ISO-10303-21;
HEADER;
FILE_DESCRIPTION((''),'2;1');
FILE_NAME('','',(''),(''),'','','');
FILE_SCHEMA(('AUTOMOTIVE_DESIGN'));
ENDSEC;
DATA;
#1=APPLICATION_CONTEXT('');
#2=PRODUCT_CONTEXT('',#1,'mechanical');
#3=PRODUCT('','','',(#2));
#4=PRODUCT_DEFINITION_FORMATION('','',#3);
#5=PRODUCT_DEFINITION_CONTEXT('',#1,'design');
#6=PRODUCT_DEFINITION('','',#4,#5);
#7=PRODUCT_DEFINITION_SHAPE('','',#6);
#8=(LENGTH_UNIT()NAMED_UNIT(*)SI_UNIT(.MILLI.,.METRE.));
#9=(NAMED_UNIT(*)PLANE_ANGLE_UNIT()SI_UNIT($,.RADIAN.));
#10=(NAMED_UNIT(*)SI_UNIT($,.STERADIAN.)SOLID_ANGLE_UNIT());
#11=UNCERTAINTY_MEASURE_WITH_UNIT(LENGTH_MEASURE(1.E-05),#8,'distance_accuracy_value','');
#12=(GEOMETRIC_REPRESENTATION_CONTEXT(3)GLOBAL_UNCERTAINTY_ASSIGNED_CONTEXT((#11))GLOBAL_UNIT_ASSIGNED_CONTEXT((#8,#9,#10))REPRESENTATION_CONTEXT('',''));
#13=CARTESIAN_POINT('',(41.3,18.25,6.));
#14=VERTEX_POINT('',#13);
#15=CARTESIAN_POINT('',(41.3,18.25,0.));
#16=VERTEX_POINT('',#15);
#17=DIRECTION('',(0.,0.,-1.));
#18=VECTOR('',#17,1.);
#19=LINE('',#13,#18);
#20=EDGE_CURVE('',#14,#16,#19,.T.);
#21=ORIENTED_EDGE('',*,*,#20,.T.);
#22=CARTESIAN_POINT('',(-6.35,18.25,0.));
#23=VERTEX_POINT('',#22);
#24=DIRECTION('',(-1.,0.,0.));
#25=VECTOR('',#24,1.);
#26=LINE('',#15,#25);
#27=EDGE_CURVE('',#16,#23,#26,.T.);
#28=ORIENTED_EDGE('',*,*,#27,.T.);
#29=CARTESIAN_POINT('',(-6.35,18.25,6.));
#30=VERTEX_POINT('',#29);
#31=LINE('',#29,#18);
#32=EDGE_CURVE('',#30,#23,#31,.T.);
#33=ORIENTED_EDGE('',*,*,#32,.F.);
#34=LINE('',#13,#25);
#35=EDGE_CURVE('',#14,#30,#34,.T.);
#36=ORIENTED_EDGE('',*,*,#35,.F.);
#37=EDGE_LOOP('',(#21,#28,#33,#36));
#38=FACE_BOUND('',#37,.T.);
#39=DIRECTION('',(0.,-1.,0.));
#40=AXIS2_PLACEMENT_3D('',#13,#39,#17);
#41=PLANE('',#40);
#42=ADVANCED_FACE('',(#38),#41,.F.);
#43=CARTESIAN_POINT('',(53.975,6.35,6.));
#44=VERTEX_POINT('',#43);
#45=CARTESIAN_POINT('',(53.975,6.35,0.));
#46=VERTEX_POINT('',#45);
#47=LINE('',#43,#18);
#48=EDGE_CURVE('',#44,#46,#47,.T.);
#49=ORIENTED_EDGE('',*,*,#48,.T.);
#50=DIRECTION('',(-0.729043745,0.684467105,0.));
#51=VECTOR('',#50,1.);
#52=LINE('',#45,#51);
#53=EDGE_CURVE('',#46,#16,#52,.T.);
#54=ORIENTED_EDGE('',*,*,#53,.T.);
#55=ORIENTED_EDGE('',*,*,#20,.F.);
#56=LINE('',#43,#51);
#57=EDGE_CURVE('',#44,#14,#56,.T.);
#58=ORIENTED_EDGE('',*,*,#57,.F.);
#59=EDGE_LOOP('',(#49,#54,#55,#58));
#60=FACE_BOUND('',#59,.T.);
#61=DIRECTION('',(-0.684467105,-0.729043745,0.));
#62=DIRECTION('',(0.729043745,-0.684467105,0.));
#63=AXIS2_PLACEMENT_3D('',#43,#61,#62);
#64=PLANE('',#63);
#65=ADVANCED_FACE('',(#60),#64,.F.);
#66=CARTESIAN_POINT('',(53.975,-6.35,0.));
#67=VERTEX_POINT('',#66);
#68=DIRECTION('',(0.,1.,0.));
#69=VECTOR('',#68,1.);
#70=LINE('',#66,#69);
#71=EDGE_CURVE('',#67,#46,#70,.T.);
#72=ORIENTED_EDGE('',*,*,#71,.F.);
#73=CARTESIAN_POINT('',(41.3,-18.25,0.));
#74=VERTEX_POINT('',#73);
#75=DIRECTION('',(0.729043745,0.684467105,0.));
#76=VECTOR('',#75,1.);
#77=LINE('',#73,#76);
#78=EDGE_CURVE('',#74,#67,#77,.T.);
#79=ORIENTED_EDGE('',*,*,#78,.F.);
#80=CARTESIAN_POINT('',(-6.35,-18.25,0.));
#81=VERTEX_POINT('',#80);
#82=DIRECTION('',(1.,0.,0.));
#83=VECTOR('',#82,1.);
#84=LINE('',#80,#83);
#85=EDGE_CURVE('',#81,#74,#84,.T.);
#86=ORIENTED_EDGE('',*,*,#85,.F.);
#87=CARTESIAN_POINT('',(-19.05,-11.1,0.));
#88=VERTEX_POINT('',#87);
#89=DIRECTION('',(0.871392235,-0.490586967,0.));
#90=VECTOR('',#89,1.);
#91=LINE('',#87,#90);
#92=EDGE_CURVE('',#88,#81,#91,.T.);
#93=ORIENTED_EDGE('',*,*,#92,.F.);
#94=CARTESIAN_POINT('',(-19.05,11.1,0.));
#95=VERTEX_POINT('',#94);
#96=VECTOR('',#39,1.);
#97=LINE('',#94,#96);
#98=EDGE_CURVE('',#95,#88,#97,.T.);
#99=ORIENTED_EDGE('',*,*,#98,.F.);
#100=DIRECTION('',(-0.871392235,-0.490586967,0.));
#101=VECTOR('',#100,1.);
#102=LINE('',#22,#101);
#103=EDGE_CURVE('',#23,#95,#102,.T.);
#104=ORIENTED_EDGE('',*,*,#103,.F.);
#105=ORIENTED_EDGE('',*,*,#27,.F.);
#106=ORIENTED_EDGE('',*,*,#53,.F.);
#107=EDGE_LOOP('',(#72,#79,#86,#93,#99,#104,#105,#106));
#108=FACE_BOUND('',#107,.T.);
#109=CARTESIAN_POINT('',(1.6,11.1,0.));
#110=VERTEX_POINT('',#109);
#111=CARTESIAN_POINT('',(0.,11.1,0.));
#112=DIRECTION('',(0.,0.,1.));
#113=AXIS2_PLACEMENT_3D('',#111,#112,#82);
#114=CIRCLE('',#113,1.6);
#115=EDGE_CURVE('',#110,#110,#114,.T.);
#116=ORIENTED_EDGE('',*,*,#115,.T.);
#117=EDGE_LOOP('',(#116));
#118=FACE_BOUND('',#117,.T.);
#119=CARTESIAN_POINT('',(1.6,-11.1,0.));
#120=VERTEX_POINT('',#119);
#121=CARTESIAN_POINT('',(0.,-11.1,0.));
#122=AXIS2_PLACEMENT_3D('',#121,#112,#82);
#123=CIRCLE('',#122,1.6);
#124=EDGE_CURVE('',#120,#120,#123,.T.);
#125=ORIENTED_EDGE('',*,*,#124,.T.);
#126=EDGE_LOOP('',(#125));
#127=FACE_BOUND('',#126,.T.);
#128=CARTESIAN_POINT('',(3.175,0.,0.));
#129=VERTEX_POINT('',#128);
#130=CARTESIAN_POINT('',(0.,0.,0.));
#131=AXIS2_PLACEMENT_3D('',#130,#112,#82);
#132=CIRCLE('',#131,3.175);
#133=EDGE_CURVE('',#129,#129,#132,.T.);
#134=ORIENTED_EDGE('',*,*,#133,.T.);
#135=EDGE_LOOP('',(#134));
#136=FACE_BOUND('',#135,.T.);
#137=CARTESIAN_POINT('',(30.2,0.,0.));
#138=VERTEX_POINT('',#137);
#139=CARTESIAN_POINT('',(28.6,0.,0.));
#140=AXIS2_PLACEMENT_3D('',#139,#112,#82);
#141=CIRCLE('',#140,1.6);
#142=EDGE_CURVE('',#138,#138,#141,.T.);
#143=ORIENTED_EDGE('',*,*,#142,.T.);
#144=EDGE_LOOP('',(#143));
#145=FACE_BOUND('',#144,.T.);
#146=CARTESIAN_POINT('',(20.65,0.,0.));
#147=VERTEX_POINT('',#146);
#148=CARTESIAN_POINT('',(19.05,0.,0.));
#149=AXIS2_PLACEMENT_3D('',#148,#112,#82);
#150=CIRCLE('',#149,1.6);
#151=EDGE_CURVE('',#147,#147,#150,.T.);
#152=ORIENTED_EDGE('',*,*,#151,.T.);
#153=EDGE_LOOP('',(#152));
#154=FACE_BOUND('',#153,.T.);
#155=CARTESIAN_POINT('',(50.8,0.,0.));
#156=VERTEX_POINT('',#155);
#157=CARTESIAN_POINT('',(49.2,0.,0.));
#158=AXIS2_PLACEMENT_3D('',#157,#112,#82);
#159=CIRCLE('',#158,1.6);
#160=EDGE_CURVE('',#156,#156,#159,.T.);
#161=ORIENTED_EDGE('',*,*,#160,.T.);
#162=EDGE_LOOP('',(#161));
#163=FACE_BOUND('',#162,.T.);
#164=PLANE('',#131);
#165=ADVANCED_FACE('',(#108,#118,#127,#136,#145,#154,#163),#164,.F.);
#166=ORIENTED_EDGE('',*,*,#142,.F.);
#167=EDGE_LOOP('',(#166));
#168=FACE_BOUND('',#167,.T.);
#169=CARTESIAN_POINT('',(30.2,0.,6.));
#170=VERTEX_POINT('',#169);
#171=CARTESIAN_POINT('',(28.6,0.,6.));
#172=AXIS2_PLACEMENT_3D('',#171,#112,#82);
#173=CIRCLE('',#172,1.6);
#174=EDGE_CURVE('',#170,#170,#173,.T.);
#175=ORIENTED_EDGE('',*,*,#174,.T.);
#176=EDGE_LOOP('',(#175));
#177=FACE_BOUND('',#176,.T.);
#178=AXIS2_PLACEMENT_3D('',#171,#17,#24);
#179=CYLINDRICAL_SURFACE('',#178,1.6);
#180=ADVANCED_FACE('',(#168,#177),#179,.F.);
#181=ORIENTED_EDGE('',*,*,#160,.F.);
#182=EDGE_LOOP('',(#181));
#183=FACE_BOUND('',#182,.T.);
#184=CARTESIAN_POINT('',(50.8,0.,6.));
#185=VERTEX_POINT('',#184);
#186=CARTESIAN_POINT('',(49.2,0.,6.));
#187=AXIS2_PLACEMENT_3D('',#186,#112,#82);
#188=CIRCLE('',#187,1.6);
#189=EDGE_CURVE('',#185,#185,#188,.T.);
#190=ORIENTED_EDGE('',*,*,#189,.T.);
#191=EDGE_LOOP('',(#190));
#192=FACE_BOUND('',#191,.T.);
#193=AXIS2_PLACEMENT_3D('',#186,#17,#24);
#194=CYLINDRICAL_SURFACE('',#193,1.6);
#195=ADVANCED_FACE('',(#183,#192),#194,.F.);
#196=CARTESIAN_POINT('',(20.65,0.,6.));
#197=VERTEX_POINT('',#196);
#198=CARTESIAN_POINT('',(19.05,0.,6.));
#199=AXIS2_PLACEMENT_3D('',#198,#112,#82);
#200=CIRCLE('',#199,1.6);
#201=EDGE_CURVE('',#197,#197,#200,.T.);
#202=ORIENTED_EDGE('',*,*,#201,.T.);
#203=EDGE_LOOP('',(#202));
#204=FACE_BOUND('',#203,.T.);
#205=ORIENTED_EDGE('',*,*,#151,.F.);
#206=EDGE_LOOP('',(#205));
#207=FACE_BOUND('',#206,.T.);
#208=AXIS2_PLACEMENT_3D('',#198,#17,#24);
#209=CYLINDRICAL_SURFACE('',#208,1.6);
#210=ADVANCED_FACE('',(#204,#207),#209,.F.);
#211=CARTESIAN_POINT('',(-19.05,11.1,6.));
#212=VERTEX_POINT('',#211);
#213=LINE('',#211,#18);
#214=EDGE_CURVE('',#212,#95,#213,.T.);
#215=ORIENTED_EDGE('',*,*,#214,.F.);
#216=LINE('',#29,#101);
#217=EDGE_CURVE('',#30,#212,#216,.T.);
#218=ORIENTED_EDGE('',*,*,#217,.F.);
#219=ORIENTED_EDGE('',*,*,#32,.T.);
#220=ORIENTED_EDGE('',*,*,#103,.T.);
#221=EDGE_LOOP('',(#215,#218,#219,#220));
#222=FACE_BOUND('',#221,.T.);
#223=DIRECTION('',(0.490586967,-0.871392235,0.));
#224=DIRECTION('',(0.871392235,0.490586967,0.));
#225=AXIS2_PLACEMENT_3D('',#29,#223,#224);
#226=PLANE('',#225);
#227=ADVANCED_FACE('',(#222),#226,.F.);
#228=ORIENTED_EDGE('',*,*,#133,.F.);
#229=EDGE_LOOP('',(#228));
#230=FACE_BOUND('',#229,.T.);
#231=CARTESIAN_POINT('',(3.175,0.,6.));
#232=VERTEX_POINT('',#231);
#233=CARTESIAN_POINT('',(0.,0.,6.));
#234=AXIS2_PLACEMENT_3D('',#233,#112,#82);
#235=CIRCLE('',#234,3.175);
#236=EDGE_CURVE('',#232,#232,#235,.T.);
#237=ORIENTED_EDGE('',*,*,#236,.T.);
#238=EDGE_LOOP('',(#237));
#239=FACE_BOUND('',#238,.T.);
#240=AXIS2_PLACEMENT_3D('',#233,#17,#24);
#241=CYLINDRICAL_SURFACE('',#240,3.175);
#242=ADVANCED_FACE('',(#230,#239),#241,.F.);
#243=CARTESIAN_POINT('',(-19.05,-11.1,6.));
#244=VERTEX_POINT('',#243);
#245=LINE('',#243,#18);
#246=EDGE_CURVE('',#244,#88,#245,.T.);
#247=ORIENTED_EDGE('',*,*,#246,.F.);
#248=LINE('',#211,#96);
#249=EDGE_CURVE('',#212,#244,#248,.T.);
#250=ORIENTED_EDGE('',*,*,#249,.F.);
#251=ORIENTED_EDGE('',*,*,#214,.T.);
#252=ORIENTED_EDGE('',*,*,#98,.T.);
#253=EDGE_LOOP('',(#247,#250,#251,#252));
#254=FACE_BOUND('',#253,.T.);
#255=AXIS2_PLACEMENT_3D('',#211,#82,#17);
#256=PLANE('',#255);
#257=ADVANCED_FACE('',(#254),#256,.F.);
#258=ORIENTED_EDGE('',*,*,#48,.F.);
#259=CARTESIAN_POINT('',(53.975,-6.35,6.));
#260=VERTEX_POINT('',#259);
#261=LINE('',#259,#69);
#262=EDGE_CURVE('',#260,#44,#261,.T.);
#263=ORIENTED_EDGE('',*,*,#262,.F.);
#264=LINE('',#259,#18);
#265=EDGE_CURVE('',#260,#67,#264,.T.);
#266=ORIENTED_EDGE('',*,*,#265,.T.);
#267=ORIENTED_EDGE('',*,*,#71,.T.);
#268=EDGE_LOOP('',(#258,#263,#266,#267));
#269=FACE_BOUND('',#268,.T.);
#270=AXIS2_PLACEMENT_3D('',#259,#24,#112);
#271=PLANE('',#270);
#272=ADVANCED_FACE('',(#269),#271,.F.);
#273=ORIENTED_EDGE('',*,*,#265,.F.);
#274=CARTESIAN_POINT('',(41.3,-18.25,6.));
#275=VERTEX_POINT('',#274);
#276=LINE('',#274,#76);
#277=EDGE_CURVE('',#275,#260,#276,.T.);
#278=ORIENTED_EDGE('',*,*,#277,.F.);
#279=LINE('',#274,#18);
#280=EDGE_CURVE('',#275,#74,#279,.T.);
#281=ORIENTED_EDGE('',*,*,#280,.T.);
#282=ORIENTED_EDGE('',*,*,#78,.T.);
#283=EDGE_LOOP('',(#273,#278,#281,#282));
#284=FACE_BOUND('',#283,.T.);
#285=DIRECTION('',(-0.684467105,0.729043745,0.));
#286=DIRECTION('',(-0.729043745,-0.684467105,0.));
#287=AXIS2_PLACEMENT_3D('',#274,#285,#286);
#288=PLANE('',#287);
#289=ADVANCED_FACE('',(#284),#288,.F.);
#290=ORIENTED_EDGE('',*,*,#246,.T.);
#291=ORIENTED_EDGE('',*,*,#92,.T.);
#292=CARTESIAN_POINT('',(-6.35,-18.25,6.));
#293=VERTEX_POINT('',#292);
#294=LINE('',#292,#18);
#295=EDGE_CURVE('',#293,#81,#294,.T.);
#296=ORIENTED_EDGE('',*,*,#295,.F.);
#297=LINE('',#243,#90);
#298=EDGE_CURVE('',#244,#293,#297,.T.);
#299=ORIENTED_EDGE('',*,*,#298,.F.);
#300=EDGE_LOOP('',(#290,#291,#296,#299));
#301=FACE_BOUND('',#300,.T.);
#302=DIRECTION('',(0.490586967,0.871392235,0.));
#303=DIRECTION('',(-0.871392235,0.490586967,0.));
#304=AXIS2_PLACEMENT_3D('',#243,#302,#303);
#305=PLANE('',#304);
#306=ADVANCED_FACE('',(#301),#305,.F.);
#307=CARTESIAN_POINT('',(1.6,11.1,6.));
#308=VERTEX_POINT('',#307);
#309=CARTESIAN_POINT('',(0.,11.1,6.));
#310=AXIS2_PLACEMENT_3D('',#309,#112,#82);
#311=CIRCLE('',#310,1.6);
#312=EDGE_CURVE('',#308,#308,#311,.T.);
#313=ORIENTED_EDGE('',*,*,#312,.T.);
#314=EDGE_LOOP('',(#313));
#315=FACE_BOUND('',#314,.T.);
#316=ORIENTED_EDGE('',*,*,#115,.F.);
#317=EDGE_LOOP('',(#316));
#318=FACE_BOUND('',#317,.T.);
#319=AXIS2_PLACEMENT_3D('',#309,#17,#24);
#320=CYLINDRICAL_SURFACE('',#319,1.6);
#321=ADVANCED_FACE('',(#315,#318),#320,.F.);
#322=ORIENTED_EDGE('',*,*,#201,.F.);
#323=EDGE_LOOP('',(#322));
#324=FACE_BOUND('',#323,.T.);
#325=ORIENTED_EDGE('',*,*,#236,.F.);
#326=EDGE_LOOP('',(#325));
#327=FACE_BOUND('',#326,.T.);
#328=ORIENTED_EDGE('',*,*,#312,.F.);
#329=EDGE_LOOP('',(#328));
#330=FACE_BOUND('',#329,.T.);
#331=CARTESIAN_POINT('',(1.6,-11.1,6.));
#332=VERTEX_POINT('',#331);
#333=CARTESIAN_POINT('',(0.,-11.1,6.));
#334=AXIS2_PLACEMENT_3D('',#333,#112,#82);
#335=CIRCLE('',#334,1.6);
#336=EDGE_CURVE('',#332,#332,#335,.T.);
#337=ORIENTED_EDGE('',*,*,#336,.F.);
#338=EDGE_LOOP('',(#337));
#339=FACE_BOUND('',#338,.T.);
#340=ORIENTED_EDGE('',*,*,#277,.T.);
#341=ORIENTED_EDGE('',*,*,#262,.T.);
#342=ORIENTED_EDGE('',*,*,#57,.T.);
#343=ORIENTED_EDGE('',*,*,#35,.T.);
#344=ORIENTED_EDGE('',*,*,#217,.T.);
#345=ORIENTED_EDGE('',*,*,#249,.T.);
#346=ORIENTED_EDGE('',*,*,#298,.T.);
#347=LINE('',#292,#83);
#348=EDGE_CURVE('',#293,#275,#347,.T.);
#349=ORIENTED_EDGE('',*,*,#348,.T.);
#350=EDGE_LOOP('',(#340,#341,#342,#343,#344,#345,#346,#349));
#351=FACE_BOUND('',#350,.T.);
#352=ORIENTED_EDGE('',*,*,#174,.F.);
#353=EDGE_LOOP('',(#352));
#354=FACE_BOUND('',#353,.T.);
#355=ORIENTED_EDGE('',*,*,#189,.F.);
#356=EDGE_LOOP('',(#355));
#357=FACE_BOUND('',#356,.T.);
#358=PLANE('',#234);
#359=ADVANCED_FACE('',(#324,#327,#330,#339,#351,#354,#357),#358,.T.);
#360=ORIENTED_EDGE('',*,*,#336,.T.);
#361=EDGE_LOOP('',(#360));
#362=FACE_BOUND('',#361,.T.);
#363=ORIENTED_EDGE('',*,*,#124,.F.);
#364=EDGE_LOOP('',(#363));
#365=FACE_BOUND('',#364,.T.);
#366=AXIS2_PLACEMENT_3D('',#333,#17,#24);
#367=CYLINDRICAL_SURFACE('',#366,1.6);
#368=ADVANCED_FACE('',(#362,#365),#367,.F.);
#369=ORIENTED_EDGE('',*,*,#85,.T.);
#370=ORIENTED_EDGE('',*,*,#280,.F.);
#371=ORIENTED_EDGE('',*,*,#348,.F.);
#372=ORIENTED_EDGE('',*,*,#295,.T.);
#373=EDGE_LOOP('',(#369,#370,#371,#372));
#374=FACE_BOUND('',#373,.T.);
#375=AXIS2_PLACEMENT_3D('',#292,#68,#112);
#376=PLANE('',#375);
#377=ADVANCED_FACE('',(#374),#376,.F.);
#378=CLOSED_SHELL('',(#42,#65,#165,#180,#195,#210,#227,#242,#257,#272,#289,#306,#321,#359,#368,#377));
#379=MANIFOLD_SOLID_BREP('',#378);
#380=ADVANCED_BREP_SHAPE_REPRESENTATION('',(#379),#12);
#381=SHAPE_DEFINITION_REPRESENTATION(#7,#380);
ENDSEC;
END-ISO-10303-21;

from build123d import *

# Parameters (mm, degrees)
SKETCH1_R           = 1.6
SKETCH1_R_2         = 3.175
BOSS_EXTRUDE1_DEPTH = 6


with BuildPart() as part:
    # Sketch1 → Boss-Extrude1 (new body)
    with BuildSketch(Plane.XY):
        Polygon((-19.05, -11.1), (-6.35, -18.25), (41.3, -18.25), (53.975, -6.35), (53.975, 6.35), (41.3, 18.25), (-6.35, 18.25), (-19.05, 11.1), align=None)
        with Locations((19.05, 0)):
            Circle(SKETCH1_R, mode=Mode.SUBTRACT)
        with Locations((28.6, 0)):
            Circle(SKETCH1_R, mode=Mode.SUBTRACT)
        with Locations((49.2, 0)):
            Circle(SKETCH1_R, mode=Mode.SUBTRACT)
        Circle(SKETCH1_R_2, mode=Mode.SUBTRACT)
        with Locations((0, 11.1)):
            Circle(SKETCH1_R, mode=Mode.SUBTRACT)
        with Locations((0, -11.1)):
            Circle(SKETCH1_R, mode=Mode.SUBTRACT)
    extrude(amount=BOSS_EXTRUDE1_DEPTH)


solid = part.part
